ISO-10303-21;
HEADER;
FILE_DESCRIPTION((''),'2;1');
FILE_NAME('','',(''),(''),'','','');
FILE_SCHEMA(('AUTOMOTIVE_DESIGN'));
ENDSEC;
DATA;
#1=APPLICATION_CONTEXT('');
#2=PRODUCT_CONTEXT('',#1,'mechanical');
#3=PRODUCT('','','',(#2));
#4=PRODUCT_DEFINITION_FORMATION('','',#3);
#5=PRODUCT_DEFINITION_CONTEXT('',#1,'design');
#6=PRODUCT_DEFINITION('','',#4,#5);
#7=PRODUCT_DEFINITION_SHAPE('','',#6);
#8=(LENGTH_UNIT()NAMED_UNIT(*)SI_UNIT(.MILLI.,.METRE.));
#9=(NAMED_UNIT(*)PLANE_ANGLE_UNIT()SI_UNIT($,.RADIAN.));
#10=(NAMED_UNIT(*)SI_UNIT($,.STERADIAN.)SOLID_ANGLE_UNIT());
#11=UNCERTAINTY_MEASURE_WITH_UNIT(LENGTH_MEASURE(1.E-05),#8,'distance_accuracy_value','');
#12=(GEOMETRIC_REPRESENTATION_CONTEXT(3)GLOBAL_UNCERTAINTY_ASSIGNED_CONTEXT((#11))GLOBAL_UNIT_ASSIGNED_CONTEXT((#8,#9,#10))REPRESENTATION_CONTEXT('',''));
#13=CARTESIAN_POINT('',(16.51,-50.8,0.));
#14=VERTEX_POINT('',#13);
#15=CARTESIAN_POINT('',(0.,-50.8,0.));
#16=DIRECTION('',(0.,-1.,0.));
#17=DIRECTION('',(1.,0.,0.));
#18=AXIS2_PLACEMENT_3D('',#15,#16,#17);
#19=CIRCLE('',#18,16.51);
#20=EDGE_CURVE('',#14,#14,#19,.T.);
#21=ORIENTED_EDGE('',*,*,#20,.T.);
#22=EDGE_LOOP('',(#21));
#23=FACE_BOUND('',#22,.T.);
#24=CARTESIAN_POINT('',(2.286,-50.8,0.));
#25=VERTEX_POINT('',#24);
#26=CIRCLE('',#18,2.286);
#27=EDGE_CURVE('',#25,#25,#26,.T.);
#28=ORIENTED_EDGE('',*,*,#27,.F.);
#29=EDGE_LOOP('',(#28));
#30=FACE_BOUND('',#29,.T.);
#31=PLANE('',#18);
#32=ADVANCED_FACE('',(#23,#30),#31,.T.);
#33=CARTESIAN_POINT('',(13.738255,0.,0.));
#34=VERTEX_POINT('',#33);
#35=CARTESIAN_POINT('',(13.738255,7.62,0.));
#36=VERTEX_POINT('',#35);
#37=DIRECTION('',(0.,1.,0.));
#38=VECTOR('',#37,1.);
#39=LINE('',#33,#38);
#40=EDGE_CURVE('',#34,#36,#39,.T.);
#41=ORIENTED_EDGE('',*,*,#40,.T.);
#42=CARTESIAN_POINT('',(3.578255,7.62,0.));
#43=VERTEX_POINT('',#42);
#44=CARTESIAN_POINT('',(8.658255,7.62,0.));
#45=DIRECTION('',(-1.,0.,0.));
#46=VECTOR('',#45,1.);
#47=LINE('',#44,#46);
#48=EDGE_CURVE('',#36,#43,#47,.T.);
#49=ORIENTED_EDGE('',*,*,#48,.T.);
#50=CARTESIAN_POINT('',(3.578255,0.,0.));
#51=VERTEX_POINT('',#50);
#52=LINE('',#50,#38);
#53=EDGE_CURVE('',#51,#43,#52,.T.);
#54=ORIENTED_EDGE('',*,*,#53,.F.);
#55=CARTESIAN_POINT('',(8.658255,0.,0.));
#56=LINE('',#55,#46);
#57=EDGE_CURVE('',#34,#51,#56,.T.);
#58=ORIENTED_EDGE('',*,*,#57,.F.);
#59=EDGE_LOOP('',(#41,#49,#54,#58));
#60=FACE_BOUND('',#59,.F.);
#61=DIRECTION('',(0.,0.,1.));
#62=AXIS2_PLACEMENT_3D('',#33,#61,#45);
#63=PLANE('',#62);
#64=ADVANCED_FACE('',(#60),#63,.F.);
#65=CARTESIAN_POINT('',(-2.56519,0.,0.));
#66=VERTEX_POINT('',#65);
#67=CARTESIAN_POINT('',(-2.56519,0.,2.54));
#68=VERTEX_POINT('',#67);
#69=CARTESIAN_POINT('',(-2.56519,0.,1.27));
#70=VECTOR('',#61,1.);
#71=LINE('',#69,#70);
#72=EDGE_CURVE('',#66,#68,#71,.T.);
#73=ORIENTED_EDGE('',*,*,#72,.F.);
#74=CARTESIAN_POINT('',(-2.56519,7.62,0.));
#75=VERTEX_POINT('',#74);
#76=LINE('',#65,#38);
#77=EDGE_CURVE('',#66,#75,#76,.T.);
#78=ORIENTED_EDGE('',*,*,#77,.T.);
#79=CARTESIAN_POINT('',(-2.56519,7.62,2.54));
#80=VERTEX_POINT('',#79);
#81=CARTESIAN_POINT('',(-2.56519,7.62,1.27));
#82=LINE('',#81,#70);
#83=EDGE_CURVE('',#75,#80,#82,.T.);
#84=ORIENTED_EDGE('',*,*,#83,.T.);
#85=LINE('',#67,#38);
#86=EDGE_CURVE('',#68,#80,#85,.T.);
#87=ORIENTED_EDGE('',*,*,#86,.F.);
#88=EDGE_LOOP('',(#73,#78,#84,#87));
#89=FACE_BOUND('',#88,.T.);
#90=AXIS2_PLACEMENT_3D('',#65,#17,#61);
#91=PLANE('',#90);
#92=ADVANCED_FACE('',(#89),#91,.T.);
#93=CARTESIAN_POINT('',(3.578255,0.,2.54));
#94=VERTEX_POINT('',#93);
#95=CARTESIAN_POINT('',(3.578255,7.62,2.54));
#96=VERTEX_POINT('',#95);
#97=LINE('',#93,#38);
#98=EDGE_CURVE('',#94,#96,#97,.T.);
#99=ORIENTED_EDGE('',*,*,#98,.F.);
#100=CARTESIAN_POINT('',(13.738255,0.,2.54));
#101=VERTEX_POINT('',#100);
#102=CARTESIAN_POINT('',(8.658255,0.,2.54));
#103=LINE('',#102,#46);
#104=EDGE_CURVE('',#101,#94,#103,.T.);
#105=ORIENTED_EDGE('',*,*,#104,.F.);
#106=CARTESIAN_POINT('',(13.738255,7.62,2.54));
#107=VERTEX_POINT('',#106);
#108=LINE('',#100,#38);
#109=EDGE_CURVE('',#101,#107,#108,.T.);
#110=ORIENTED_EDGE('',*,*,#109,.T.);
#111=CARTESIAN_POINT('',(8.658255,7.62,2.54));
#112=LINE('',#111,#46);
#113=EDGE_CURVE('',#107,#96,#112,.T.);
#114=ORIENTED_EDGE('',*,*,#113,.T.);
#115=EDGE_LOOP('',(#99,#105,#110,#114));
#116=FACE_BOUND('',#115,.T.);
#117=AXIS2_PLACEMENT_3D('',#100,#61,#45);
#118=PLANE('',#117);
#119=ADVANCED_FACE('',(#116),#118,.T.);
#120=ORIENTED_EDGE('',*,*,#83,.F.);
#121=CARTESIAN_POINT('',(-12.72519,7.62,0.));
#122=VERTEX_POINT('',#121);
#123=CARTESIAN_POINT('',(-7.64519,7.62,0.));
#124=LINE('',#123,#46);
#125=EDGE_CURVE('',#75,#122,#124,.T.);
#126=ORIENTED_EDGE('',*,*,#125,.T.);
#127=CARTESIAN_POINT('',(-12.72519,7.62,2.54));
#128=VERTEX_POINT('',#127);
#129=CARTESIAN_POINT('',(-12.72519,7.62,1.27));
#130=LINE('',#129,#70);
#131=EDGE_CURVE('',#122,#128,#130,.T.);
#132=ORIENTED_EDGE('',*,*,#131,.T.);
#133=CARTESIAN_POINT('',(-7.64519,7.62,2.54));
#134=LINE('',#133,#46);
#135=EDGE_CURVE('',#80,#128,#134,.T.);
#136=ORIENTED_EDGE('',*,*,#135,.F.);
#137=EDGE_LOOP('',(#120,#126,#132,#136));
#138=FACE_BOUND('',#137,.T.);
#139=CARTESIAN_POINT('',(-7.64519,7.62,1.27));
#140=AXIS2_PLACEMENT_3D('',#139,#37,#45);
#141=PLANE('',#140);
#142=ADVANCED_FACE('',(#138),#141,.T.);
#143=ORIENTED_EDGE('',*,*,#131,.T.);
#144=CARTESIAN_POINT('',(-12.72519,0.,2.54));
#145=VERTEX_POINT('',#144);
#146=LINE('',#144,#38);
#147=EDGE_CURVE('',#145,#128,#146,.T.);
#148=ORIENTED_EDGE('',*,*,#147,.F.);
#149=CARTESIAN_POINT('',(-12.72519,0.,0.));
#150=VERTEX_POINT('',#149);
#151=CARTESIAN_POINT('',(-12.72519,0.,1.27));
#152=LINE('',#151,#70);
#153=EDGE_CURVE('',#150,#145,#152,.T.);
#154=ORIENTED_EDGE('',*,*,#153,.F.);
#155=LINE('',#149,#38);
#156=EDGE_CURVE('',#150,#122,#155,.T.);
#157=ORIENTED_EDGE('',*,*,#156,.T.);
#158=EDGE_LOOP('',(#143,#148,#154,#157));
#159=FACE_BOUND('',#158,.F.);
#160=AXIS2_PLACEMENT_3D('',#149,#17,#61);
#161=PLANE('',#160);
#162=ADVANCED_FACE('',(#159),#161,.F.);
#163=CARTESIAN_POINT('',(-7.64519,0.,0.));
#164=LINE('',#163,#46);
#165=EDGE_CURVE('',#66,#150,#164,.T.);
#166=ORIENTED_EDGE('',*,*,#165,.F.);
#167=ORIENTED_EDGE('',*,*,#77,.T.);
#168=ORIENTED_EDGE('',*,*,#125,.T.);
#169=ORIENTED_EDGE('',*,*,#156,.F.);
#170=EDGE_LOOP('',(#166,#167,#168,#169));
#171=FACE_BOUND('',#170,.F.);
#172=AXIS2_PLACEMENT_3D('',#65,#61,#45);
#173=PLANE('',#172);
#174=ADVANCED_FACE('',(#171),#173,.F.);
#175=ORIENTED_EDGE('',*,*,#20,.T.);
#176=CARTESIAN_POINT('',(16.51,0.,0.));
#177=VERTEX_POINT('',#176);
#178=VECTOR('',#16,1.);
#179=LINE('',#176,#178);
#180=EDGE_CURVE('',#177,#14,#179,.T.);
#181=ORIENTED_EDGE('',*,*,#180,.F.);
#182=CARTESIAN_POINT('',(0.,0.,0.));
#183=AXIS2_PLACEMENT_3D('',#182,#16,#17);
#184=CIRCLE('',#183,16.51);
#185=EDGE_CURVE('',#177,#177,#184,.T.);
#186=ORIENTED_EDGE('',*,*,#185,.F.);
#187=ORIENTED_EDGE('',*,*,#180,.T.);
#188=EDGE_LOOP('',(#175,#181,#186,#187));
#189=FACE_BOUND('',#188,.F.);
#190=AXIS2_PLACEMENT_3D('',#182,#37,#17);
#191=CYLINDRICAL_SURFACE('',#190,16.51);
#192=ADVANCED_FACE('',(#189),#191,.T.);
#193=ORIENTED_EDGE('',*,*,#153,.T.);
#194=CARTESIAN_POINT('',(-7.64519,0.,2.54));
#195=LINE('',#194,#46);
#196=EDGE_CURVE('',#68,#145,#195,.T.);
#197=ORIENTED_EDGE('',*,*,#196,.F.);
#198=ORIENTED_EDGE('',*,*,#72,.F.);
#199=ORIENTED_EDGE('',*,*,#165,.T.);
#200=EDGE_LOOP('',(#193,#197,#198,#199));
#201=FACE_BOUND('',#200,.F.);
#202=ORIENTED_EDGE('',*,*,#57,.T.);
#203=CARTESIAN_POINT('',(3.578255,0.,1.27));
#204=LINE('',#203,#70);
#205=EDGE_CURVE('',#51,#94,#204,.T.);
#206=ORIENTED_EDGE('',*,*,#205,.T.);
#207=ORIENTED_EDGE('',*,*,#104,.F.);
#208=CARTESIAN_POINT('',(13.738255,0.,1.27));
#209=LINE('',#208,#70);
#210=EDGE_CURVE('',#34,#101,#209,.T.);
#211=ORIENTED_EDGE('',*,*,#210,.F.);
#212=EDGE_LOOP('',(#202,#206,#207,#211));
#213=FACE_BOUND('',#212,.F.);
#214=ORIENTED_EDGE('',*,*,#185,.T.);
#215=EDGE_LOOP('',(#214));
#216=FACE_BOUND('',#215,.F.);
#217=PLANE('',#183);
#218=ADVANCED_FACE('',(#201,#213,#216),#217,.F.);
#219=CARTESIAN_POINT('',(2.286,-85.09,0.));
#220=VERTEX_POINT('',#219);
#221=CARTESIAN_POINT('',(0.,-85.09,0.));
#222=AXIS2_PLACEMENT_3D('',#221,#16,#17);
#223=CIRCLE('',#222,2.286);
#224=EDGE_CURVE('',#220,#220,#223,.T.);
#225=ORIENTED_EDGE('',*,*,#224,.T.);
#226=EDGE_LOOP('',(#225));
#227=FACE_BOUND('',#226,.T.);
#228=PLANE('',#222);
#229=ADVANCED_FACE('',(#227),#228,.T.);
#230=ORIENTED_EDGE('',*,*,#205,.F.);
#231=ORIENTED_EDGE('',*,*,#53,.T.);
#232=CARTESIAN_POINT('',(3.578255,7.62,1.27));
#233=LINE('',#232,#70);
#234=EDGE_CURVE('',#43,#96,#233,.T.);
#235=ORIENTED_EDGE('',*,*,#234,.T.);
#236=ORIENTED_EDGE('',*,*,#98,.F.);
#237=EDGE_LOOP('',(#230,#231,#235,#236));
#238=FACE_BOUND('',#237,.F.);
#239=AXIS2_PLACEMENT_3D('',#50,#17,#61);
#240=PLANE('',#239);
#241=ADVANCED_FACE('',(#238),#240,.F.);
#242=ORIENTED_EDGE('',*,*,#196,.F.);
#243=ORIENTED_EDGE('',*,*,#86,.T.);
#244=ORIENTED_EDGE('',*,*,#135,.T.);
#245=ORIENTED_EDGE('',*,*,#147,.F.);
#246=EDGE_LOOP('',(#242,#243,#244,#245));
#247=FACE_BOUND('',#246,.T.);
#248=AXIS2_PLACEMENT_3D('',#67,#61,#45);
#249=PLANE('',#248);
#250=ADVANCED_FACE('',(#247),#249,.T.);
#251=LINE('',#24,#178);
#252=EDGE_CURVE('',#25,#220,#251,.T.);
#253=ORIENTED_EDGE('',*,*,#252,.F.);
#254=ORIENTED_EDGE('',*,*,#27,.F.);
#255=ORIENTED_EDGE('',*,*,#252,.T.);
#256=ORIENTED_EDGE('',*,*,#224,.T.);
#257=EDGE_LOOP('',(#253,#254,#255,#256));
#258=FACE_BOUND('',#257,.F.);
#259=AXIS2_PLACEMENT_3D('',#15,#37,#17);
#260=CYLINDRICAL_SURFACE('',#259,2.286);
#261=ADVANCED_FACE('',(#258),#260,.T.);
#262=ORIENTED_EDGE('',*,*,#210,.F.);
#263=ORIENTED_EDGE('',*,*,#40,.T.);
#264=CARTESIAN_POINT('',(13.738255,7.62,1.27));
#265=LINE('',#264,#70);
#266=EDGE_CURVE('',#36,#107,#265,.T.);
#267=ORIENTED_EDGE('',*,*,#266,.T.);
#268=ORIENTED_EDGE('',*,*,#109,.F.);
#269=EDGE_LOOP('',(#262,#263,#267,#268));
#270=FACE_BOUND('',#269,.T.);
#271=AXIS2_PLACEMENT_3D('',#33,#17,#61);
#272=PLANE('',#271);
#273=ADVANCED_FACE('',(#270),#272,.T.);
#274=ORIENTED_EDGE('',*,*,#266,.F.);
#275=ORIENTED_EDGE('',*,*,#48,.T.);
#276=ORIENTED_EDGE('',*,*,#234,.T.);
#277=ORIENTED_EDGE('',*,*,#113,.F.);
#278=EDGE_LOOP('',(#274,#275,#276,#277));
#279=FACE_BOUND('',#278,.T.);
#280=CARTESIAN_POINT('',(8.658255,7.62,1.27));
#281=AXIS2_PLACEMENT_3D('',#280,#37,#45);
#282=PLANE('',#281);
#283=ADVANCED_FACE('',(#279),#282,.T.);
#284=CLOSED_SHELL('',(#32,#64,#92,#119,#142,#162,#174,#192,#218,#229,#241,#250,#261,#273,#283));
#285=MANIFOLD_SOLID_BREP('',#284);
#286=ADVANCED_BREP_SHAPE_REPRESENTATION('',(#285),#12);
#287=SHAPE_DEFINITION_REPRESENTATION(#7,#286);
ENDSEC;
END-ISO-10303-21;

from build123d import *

# Parameters (mm, degrees)
F0_R     = 16.51
F1_DEPTH = 50.8
F2_R     = 2.286
F3_DEPTH = 34.29
F4_W     = 10.16
F4_H     = 2.54
F5_DEPTH = 7.62


with BuildPart() as f1:
    # F0 (on Front) → F1 (new body)
    with BuildSketch(Plane.XZ):
        Circle(F0_R)
    extrude(amount=F1_DEPTH)

    # F2 (on face) → F3 (join)
    with BuildSketch(Plane.XZ.offset(50.8)):
        Circle(F2_R)
    extrude(amount=F3_DEPTH)

    # F4 (on face) → F5 (join)
    with BuildSketch(Plane(origin=(0, 0, 0), x_dir=(-1, 0, 0), z_dir=(0, 1, 0))):
        with Locations((-8.658255, 1.27)):
            Rectangle(F4_W, F4_H)
        with Locations((7.64519, 1.27)):
            Rectangle(F4_W, F4_H)
    extrude(amount=F5_DEPTH)


solid = f1.part
